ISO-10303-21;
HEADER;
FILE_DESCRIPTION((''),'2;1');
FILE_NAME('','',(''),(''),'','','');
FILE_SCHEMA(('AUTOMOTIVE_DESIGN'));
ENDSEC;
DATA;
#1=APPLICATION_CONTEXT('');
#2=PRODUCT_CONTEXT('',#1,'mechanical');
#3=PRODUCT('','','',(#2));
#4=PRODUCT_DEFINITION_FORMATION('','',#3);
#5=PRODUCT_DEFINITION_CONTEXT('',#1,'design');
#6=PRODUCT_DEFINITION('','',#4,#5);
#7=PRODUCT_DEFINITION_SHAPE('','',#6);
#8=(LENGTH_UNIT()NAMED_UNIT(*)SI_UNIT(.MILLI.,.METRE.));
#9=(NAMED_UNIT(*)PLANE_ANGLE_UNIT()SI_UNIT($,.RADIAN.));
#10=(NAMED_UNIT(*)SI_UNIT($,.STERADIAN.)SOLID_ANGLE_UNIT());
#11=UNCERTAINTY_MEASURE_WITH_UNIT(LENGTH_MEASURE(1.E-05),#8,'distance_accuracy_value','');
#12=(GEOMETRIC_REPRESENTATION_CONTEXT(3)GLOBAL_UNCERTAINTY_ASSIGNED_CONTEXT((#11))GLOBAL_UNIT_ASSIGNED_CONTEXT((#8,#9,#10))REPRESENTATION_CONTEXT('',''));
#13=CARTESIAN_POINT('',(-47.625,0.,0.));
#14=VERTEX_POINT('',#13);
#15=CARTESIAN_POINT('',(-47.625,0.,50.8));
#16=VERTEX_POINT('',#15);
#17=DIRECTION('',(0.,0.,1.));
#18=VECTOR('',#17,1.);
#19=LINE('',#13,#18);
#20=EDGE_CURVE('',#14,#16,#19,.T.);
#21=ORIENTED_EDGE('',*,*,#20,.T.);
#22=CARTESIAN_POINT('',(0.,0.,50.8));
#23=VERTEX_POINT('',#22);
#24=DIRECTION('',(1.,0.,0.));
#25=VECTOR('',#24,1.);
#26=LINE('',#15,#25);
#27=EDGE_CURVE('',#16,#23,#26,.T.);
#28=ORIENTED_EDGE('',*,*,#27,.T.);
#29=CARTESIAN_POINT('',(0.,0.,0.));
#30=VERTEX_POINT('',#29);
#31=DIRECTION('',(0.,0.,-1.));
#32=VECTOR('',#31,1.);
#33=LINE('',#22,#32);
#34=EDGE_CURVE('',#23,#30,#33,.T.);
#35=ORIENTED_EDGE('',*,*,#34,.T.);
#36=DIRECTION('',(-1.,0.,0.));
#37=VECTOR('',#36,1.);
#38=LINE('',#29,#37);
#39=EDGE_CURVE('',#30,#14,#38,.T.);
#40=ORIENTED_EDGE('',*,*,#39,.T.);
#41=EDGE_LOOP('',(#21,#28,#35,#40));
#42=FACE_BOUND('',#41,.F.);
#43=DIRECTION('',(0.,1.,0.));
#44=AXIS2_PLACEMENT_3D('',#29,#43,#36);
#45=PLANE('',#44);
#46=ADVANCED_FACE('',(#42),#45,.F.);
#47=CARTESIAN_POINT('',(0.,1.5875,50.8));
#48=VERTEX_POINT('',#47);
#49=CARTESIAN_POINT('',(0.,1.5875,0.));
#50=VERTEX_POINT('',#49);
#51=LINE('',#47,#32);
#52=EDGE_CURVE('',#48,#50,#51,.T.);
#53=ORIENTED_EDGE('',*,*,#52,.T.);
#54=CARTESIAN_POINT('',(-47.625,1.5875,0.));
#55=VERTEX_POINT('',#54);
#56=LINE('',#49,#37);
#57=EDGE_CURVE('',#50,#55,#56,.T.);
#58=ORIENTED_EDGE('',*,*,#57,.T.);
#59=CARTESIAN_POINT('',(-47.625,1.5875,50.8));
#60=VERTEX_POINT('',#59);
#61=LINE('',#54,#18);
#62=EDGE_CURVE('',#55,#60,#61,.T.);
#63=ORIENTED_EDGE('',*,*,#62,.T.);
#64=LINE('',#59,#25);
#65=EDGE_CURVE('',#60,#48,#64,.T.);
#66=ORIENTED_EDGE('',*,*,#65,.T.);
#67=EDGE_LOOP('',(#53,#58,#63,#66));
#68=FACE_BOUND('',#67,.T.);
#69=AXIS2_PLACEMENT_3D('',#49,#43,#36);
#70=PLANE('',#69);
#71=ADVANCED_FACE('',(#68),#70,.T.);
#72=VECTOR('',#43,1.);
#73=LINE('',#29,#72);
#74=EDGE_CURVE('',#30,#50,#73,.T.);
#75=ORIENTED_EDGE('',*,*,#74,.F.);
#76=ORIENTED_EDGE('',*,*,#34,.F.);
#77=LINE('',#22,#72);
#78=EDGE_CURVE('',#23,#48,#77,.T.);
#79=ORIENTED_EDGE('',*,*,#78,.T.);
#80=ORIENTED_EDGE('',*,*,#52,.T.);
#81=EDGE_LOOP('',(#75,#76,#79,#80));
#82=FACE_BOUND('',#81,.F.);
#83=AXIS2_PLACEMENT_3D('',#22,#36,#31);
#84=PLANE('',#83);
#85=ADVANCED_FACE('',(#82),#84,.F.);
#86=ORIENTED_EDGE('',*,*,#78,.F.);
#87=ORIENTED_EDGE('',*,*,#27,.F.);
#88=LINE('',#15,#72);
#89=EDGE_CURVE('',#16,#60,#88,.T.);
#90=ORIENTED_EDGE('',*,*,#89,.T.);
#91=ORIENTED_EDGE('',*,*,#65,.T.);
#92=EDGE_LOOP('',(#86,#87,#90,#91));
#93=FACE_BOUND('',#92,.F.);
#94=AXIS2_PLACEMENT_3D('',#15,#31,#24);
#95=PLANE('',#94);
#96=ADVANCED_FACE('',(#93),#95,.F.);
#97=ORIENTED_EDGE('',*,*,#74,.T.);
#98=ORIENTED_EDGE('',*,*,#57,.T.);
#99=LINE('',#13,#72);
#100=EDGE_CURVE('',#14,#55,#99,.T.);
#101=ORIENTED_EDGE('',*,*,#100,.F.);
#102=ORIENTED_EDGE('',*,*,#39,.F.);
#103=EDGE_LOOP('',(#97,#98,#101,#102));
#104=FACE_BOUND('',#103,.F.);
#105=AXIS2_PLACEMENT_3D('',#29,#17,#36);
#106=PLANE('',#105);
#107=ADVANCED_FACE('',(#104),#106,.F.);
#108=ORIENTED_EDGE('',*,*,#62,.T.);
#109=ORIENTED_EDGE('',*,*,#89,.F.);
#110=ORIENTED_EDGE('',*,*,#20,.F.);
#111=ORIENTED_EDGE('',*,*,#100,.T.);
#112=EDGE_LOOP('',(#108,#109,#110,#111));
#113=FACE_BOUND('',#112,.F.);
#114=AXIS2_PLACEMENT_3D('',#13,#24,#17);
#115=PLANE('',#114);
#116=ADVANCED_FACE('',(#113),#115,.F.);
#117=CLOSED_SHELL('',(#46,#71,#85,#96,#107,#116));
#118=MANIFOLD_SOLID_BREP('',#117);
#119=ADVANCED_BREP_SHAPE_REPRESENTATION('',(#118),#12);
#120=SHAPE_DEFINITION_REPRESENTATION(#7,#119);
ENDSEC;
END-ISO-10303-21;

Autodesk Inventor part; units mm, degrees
ref_plane "YZ Plane" through (0, 0, 0) normal (1, 0, 0) x (0, 1, 0)
ref_plane "XZ Plane" through (0, 0, 0) normal (0, 1, 0) x (-1, 0, 0)
ref_plane "XY Plane" through (0, 0, 0) normal (0, 0, 1) x (1, 0, 0)
sketch "Sketch1" plane through (0, 0, 0) normal (0, 1, 0) x (-1, 0, 0)
  line L0 (0, 0) -> (47.625, 0)
  line L1 (47.625, 0) -> (47.625, 50.8)
  line L2 (47.625, 50.8) -> (0, 50.8)
  line L3 (0, 50.8) -> (0, 0)
  dimension "d0" = 47.625
  dimension "d1" = 50.8
extrude "Extrusion1" add sketch "Sketch1" along normal blind 1.5875
properties part number "Hopper Teflon Strip P6"
